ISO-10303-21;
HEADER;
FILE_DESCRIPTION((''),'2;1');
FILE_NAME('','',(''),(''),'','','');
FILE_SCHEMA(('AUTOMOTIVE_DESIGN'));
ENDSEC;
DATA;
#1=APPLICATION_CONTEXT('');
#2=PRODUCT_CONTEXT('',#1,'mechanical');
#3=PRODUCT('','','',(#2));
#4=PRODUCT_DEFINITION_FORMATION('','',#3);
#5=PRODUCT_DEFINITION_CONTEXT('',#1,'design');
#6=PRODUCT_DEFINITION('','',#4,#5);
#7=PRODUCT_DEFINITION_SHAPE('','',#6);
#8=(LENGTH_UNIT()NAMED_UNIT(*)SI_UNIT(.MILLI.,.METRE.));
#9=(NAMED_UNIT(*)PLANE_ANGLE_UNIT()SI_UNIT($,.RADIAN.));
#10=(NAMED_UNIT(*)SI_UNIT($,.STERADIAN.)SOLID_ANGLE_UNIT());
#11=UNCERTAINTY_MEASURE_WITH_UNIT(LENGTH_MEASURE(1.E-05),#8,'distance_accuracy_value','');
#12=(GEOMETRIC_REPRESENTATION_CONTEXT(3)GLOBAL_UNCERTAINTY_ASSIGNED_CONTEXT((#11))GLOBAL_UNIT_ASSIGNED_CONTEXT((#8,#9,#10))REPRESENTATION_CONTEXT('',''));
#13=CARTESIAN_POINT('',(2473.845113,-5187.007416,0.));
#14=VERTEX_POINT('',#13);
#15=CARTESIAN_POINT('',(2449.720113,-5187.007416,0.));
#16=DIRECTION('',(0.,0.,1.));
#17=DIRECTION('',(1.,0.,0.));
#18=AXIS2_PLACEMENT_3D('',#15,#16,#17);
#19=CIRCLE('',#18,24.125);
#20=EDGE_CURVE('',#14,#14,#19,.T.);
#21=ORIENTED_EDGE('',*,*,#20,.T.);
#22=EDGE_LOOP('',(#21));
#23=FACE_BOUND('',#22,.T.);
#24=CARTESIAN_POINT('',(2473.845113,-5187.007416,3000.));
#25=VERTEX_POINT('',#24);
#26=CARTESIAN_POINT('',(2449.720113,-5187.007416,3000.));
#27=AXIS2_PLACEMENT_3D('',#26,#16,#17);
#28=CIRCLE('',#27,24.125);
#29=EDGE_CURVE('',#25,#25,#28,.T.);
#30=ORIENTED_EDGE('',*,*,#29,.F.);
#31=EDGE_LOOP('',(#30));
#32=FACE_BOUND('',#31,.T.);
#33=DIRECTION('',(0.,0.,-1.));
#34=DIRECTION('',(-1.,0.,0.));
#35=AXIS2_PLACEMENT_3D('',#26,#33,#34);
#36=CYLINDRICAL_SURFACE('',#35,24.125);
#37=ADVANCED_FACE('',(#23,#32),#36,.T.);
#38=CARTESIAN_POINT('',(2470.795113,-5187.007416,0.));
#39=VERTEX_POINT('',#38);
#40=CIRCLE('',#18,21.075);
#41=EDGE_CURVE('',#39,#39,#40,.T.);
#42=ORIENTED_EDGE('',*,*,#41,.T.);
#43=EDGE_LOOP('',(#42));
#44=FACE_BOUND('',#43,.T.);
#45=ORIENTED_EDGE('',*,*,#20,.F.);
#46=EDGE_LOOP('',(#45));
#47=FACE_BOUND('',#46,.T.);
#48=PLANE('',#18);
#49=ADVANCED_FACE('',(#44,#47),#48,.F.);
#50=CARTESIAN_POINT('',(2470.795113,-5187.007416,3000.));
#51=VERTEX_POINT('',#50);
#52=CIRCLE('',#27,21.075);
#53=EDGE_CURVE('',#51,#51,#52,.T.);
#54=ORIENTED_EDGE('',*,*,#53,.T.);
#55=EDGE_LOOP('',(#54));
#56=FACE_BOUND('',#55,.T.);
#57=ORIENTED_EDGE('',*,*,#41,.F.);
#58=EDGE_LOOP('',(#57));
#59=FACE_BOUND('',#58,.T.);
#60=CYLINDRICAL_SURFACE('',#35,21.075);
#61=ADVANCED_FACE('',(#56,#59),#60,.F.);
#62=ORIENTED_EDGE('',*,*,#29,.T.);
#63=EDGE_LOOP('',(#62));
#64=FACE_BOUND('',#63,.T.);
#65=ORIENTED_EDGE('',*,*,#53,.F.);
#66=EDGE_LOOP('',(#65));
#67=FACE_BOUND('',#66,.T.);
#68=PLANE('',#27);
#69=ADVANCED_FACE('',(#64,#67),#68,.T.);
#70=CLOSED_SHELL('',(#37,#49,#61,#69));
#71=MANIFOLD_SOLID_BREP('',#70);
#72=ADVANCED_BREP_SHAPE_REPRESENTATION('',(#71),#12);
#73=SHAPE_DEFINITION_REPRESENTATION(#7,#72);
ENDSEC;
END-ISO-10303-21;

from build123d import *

# Parameters (mm, degrees)
SKETCH2_R           = 24.125
SKETCH2_R_2         = 21.075
BOSS_EXTRUDE1_DEPTH = 3000


with BuildPart() as part:
    # Sketch2 → Boss-Extrude1 (new body)
    with BuildSketch(Plane.XY):
        with Locations((2449.72011288, -5187.007415734)):
            Circle(SKETCH2_R)
        with Locations((2449.72011288, -5187.007415734)):
            Circle(SKETCH2_R_2, mode=Mode.SUBTRACT)
    extrude(amount=BOSS_EXTRUDE1_DEPTH)


solid = part.part
